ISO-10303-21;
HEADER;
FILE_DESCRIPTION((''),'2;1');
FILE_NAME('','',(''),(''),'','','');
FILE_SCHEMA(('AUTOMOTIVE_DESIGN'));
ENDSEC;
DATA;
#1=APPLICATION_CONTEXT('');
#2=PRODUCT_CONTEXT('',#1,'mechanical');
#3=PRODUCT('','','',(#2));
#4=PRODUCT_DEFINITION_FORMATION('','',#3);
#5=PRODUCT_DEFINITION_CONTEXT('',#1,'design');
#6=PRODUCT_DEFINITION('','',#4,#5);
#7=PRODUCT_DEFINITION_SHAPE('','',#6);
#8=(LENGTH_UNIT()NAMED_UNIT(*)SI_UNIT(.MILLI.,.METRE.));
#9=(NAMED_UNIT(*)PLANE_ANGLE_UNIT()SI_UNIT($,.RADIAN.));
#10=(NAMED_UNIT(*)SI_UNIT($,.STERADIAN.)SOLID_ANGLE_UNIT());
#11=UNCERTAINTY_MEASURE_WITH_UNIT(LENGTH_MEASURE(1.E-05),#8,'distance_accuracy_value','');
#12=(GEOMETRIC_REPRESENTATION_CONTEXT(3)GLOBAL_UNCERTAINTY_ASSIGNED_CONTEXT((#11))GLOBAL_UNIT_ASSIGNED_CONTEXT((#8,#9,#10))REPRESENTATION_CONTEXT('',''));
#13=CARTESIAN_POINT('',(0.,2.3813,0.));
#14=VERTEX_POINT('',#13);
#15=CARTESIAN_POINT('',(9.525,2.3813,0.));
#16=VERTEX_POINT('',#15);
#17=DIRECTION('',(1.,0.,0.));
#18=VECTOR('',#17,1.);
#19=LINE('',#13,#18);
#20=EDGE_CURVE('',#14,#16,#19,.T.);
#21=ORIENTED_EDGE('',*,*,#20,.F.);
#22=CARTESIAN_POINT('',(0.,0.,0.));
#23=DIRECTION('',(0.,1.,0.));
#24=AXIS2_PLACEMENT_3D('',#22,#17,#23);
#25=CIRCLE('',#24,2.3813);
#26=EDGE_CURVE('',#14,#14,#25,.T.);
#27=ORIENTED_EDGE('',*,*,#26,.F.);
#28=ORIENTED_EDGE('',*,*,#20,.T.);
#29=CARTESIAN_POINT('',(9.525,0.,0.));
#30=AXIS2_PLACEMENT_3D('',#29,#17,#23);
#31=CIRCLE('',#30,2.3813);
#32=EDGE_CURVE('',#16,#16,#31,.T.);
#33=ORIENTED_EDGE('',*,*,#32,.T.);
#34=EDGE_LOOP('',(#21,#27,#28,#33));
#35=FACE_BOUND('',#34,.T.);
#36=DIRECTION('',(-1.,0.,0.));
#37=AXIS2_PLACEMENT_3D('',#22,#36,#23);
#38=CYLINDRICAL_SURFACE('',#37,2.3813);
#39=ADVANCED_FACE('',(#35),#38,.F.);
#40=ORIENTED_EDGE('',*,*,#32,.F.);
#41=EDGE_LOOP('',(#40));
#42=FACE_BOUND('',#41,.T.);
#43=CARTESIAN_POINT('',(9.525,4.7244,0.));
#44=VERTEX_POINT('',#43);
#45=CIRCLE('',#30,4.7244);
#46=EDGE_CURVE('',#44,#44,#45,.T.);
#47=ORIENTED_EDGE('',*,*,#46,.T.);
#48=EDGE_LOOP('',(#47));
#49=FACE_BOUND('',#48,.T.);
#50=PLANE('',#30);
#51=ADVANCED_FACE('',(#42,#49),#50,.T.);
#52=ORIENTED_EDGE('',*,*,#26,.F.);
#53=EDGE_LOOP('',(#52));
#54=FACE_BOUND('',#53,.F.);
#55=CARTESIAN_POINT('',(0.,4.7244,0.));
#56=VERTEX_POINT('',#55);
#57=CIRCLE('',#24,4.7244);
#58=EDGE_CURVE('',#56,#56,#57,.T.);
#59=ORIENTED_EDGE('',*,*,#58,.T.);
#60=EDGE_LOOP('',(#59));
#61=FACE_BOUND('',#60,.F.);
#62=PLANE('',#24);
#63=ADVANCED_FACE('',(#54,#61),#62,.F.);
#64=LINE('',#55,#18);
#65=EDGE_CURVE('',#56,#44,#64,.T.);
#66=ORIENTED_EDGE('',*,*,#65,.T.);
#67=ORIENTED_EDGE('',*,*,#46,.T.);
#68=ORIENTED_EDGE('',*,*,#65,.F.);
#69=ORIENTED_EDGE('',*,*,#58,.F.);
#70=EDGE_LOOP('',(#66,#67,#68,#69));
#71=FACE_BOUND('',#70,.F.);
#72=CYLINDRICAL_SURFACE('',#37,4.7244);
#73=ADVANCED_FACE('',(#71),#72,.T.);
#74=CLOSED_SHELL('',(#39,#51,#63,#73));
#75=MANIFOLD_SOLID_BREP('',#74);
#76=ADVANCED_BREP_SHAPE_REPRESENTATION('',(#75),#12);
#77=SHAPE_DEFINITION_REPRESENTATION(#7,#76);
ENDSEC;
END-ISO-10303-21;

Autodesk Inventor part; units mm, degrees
ref_plane "YZ Plane" through (0, 0, 0) normal (1, 0, 0) x (0, 1, 0)
ref_plane "XZ Plane" through (0, 0, 0) normal (0, 1, 0) x (-1, 0, 0)
ref_plane "XY Plane" through (0, 0, 0) normal (0, 0, 1) x (1, 0, 0)
sketch "Sketch1" plane through (0, 0, 0) normal (1, 0, 0) x (0, 1, 0)
  circle A0 centre (0, 0) radius 2.3813
  circle A1 centre (0, 0) radius 4.7244
  dimension "d0" = 4.7625
  dimension "d1" = 9.4488
extrude "Extrusion1" add sketch "Sketch1" along normal blind 9.525
properties part number "Spacer.188ID.375W"
